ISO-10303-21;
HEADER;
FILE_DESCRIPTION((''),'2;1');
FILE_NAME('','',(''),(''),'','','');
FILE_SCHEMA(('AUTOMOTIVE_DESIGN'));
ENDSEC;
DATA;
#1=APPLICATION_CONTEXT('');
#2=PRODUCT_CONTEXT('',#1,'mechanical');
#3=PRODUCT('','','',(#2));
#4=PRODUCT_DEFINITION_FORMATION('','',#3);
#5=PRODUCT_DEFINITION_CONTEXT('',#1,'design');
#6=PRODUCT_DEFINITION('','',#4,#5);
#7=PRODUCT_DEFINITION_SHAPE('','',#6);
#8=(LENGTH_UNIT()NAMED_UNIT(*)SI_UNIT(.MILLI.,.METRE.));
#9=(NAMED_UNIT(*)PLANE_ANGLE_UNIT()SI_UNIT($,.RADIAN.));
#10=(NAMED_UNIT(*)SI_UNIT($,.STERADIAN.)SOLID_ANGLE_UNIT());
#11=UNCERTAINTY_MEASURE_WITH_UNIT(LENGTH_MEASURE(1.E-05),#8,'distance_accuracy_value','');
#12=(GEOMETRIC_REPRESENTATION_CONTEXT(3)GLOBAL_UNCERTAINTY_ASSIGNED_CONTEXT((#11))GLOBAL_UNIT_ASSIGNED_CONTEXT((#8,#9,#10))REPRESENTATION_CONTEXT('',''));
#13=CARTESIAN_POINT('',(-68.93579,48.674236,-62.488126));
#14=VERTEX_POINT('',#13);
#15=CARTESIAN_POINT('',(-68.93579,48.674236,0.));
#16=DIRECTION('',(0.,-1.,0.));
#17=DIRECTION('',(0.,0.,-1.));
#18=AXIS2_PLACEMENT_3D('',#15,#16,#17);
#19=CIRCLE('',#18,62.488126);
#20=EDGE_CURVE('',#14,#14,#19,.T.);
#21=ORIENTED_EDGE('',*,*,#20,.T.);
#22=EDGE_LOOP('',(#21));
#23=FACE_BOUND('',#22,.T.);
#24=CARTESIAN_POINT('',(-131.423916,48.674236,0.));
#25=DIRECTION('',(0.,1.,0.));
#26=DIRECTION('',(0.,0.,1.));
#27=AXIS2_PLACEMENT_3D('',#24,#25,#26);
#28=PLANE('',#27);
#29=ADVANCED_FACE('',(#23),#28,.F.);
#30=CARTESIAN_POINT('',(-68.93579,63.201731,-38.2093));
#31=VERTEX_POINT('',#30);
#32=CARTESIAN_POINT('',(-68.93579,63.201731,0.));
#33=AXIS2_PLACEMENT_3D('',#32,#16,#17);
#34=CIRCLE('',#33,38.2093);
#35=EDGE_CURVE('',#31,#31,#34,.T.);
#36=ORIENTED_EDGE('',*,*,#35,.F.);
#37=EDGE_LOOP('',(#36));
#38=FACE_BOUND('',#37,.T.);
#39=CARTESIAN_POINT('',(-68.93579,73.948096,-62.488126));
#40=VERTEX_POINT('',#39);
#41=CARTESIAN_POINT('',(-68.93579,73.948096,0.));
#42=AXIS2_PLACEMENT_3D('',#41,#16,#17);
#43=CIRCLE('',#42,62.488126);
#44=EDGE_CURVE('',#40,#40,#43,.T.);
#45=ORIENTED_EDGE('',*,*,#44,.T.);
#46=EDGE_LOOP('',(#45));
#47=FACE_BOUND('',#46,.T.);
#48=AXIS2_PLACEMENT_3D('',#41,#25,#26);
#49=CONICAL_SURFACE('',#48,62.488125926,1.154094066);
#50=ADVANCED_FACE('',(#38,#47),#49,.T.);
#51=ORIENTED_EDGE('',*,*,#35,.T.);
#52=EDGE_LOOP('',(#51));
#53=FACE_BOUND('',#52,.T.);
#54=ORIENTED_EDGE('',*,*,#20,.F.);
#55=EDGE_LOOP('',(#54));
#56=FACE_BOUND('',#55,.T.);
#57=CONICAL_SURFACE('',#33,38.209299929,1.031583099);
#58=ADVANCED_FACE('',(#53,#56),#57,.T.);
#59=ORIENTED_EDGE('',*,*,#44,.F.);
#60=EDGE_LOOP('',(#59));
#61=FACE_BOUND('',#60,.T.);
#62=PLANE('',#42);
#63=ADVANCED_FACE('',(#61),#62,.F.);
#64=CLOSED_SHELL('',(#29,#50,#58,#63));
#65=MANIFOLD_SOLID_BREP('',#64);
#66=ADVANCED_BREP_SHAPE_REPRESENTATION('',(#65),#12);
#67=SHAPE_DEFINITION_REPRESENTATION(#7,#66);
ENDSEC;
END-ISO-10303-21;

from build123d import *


with BuildPart() as part:
    # Sketch3 → Revolve4 (revolve)
    with BuildSketch(Plane.XY):
        Polygon((-131.423915741, 48.674236442), (-68.935789815, 48.674236442), (-68.935789815, 73.948096291), (-131.423915741, 73.948096291), (-107.145089744, 63.201730686), align=None)
    revolve(axis=Axis((-68.935789815, 48.674236442, 0), (0, 1, 0)))


solid = part.part
